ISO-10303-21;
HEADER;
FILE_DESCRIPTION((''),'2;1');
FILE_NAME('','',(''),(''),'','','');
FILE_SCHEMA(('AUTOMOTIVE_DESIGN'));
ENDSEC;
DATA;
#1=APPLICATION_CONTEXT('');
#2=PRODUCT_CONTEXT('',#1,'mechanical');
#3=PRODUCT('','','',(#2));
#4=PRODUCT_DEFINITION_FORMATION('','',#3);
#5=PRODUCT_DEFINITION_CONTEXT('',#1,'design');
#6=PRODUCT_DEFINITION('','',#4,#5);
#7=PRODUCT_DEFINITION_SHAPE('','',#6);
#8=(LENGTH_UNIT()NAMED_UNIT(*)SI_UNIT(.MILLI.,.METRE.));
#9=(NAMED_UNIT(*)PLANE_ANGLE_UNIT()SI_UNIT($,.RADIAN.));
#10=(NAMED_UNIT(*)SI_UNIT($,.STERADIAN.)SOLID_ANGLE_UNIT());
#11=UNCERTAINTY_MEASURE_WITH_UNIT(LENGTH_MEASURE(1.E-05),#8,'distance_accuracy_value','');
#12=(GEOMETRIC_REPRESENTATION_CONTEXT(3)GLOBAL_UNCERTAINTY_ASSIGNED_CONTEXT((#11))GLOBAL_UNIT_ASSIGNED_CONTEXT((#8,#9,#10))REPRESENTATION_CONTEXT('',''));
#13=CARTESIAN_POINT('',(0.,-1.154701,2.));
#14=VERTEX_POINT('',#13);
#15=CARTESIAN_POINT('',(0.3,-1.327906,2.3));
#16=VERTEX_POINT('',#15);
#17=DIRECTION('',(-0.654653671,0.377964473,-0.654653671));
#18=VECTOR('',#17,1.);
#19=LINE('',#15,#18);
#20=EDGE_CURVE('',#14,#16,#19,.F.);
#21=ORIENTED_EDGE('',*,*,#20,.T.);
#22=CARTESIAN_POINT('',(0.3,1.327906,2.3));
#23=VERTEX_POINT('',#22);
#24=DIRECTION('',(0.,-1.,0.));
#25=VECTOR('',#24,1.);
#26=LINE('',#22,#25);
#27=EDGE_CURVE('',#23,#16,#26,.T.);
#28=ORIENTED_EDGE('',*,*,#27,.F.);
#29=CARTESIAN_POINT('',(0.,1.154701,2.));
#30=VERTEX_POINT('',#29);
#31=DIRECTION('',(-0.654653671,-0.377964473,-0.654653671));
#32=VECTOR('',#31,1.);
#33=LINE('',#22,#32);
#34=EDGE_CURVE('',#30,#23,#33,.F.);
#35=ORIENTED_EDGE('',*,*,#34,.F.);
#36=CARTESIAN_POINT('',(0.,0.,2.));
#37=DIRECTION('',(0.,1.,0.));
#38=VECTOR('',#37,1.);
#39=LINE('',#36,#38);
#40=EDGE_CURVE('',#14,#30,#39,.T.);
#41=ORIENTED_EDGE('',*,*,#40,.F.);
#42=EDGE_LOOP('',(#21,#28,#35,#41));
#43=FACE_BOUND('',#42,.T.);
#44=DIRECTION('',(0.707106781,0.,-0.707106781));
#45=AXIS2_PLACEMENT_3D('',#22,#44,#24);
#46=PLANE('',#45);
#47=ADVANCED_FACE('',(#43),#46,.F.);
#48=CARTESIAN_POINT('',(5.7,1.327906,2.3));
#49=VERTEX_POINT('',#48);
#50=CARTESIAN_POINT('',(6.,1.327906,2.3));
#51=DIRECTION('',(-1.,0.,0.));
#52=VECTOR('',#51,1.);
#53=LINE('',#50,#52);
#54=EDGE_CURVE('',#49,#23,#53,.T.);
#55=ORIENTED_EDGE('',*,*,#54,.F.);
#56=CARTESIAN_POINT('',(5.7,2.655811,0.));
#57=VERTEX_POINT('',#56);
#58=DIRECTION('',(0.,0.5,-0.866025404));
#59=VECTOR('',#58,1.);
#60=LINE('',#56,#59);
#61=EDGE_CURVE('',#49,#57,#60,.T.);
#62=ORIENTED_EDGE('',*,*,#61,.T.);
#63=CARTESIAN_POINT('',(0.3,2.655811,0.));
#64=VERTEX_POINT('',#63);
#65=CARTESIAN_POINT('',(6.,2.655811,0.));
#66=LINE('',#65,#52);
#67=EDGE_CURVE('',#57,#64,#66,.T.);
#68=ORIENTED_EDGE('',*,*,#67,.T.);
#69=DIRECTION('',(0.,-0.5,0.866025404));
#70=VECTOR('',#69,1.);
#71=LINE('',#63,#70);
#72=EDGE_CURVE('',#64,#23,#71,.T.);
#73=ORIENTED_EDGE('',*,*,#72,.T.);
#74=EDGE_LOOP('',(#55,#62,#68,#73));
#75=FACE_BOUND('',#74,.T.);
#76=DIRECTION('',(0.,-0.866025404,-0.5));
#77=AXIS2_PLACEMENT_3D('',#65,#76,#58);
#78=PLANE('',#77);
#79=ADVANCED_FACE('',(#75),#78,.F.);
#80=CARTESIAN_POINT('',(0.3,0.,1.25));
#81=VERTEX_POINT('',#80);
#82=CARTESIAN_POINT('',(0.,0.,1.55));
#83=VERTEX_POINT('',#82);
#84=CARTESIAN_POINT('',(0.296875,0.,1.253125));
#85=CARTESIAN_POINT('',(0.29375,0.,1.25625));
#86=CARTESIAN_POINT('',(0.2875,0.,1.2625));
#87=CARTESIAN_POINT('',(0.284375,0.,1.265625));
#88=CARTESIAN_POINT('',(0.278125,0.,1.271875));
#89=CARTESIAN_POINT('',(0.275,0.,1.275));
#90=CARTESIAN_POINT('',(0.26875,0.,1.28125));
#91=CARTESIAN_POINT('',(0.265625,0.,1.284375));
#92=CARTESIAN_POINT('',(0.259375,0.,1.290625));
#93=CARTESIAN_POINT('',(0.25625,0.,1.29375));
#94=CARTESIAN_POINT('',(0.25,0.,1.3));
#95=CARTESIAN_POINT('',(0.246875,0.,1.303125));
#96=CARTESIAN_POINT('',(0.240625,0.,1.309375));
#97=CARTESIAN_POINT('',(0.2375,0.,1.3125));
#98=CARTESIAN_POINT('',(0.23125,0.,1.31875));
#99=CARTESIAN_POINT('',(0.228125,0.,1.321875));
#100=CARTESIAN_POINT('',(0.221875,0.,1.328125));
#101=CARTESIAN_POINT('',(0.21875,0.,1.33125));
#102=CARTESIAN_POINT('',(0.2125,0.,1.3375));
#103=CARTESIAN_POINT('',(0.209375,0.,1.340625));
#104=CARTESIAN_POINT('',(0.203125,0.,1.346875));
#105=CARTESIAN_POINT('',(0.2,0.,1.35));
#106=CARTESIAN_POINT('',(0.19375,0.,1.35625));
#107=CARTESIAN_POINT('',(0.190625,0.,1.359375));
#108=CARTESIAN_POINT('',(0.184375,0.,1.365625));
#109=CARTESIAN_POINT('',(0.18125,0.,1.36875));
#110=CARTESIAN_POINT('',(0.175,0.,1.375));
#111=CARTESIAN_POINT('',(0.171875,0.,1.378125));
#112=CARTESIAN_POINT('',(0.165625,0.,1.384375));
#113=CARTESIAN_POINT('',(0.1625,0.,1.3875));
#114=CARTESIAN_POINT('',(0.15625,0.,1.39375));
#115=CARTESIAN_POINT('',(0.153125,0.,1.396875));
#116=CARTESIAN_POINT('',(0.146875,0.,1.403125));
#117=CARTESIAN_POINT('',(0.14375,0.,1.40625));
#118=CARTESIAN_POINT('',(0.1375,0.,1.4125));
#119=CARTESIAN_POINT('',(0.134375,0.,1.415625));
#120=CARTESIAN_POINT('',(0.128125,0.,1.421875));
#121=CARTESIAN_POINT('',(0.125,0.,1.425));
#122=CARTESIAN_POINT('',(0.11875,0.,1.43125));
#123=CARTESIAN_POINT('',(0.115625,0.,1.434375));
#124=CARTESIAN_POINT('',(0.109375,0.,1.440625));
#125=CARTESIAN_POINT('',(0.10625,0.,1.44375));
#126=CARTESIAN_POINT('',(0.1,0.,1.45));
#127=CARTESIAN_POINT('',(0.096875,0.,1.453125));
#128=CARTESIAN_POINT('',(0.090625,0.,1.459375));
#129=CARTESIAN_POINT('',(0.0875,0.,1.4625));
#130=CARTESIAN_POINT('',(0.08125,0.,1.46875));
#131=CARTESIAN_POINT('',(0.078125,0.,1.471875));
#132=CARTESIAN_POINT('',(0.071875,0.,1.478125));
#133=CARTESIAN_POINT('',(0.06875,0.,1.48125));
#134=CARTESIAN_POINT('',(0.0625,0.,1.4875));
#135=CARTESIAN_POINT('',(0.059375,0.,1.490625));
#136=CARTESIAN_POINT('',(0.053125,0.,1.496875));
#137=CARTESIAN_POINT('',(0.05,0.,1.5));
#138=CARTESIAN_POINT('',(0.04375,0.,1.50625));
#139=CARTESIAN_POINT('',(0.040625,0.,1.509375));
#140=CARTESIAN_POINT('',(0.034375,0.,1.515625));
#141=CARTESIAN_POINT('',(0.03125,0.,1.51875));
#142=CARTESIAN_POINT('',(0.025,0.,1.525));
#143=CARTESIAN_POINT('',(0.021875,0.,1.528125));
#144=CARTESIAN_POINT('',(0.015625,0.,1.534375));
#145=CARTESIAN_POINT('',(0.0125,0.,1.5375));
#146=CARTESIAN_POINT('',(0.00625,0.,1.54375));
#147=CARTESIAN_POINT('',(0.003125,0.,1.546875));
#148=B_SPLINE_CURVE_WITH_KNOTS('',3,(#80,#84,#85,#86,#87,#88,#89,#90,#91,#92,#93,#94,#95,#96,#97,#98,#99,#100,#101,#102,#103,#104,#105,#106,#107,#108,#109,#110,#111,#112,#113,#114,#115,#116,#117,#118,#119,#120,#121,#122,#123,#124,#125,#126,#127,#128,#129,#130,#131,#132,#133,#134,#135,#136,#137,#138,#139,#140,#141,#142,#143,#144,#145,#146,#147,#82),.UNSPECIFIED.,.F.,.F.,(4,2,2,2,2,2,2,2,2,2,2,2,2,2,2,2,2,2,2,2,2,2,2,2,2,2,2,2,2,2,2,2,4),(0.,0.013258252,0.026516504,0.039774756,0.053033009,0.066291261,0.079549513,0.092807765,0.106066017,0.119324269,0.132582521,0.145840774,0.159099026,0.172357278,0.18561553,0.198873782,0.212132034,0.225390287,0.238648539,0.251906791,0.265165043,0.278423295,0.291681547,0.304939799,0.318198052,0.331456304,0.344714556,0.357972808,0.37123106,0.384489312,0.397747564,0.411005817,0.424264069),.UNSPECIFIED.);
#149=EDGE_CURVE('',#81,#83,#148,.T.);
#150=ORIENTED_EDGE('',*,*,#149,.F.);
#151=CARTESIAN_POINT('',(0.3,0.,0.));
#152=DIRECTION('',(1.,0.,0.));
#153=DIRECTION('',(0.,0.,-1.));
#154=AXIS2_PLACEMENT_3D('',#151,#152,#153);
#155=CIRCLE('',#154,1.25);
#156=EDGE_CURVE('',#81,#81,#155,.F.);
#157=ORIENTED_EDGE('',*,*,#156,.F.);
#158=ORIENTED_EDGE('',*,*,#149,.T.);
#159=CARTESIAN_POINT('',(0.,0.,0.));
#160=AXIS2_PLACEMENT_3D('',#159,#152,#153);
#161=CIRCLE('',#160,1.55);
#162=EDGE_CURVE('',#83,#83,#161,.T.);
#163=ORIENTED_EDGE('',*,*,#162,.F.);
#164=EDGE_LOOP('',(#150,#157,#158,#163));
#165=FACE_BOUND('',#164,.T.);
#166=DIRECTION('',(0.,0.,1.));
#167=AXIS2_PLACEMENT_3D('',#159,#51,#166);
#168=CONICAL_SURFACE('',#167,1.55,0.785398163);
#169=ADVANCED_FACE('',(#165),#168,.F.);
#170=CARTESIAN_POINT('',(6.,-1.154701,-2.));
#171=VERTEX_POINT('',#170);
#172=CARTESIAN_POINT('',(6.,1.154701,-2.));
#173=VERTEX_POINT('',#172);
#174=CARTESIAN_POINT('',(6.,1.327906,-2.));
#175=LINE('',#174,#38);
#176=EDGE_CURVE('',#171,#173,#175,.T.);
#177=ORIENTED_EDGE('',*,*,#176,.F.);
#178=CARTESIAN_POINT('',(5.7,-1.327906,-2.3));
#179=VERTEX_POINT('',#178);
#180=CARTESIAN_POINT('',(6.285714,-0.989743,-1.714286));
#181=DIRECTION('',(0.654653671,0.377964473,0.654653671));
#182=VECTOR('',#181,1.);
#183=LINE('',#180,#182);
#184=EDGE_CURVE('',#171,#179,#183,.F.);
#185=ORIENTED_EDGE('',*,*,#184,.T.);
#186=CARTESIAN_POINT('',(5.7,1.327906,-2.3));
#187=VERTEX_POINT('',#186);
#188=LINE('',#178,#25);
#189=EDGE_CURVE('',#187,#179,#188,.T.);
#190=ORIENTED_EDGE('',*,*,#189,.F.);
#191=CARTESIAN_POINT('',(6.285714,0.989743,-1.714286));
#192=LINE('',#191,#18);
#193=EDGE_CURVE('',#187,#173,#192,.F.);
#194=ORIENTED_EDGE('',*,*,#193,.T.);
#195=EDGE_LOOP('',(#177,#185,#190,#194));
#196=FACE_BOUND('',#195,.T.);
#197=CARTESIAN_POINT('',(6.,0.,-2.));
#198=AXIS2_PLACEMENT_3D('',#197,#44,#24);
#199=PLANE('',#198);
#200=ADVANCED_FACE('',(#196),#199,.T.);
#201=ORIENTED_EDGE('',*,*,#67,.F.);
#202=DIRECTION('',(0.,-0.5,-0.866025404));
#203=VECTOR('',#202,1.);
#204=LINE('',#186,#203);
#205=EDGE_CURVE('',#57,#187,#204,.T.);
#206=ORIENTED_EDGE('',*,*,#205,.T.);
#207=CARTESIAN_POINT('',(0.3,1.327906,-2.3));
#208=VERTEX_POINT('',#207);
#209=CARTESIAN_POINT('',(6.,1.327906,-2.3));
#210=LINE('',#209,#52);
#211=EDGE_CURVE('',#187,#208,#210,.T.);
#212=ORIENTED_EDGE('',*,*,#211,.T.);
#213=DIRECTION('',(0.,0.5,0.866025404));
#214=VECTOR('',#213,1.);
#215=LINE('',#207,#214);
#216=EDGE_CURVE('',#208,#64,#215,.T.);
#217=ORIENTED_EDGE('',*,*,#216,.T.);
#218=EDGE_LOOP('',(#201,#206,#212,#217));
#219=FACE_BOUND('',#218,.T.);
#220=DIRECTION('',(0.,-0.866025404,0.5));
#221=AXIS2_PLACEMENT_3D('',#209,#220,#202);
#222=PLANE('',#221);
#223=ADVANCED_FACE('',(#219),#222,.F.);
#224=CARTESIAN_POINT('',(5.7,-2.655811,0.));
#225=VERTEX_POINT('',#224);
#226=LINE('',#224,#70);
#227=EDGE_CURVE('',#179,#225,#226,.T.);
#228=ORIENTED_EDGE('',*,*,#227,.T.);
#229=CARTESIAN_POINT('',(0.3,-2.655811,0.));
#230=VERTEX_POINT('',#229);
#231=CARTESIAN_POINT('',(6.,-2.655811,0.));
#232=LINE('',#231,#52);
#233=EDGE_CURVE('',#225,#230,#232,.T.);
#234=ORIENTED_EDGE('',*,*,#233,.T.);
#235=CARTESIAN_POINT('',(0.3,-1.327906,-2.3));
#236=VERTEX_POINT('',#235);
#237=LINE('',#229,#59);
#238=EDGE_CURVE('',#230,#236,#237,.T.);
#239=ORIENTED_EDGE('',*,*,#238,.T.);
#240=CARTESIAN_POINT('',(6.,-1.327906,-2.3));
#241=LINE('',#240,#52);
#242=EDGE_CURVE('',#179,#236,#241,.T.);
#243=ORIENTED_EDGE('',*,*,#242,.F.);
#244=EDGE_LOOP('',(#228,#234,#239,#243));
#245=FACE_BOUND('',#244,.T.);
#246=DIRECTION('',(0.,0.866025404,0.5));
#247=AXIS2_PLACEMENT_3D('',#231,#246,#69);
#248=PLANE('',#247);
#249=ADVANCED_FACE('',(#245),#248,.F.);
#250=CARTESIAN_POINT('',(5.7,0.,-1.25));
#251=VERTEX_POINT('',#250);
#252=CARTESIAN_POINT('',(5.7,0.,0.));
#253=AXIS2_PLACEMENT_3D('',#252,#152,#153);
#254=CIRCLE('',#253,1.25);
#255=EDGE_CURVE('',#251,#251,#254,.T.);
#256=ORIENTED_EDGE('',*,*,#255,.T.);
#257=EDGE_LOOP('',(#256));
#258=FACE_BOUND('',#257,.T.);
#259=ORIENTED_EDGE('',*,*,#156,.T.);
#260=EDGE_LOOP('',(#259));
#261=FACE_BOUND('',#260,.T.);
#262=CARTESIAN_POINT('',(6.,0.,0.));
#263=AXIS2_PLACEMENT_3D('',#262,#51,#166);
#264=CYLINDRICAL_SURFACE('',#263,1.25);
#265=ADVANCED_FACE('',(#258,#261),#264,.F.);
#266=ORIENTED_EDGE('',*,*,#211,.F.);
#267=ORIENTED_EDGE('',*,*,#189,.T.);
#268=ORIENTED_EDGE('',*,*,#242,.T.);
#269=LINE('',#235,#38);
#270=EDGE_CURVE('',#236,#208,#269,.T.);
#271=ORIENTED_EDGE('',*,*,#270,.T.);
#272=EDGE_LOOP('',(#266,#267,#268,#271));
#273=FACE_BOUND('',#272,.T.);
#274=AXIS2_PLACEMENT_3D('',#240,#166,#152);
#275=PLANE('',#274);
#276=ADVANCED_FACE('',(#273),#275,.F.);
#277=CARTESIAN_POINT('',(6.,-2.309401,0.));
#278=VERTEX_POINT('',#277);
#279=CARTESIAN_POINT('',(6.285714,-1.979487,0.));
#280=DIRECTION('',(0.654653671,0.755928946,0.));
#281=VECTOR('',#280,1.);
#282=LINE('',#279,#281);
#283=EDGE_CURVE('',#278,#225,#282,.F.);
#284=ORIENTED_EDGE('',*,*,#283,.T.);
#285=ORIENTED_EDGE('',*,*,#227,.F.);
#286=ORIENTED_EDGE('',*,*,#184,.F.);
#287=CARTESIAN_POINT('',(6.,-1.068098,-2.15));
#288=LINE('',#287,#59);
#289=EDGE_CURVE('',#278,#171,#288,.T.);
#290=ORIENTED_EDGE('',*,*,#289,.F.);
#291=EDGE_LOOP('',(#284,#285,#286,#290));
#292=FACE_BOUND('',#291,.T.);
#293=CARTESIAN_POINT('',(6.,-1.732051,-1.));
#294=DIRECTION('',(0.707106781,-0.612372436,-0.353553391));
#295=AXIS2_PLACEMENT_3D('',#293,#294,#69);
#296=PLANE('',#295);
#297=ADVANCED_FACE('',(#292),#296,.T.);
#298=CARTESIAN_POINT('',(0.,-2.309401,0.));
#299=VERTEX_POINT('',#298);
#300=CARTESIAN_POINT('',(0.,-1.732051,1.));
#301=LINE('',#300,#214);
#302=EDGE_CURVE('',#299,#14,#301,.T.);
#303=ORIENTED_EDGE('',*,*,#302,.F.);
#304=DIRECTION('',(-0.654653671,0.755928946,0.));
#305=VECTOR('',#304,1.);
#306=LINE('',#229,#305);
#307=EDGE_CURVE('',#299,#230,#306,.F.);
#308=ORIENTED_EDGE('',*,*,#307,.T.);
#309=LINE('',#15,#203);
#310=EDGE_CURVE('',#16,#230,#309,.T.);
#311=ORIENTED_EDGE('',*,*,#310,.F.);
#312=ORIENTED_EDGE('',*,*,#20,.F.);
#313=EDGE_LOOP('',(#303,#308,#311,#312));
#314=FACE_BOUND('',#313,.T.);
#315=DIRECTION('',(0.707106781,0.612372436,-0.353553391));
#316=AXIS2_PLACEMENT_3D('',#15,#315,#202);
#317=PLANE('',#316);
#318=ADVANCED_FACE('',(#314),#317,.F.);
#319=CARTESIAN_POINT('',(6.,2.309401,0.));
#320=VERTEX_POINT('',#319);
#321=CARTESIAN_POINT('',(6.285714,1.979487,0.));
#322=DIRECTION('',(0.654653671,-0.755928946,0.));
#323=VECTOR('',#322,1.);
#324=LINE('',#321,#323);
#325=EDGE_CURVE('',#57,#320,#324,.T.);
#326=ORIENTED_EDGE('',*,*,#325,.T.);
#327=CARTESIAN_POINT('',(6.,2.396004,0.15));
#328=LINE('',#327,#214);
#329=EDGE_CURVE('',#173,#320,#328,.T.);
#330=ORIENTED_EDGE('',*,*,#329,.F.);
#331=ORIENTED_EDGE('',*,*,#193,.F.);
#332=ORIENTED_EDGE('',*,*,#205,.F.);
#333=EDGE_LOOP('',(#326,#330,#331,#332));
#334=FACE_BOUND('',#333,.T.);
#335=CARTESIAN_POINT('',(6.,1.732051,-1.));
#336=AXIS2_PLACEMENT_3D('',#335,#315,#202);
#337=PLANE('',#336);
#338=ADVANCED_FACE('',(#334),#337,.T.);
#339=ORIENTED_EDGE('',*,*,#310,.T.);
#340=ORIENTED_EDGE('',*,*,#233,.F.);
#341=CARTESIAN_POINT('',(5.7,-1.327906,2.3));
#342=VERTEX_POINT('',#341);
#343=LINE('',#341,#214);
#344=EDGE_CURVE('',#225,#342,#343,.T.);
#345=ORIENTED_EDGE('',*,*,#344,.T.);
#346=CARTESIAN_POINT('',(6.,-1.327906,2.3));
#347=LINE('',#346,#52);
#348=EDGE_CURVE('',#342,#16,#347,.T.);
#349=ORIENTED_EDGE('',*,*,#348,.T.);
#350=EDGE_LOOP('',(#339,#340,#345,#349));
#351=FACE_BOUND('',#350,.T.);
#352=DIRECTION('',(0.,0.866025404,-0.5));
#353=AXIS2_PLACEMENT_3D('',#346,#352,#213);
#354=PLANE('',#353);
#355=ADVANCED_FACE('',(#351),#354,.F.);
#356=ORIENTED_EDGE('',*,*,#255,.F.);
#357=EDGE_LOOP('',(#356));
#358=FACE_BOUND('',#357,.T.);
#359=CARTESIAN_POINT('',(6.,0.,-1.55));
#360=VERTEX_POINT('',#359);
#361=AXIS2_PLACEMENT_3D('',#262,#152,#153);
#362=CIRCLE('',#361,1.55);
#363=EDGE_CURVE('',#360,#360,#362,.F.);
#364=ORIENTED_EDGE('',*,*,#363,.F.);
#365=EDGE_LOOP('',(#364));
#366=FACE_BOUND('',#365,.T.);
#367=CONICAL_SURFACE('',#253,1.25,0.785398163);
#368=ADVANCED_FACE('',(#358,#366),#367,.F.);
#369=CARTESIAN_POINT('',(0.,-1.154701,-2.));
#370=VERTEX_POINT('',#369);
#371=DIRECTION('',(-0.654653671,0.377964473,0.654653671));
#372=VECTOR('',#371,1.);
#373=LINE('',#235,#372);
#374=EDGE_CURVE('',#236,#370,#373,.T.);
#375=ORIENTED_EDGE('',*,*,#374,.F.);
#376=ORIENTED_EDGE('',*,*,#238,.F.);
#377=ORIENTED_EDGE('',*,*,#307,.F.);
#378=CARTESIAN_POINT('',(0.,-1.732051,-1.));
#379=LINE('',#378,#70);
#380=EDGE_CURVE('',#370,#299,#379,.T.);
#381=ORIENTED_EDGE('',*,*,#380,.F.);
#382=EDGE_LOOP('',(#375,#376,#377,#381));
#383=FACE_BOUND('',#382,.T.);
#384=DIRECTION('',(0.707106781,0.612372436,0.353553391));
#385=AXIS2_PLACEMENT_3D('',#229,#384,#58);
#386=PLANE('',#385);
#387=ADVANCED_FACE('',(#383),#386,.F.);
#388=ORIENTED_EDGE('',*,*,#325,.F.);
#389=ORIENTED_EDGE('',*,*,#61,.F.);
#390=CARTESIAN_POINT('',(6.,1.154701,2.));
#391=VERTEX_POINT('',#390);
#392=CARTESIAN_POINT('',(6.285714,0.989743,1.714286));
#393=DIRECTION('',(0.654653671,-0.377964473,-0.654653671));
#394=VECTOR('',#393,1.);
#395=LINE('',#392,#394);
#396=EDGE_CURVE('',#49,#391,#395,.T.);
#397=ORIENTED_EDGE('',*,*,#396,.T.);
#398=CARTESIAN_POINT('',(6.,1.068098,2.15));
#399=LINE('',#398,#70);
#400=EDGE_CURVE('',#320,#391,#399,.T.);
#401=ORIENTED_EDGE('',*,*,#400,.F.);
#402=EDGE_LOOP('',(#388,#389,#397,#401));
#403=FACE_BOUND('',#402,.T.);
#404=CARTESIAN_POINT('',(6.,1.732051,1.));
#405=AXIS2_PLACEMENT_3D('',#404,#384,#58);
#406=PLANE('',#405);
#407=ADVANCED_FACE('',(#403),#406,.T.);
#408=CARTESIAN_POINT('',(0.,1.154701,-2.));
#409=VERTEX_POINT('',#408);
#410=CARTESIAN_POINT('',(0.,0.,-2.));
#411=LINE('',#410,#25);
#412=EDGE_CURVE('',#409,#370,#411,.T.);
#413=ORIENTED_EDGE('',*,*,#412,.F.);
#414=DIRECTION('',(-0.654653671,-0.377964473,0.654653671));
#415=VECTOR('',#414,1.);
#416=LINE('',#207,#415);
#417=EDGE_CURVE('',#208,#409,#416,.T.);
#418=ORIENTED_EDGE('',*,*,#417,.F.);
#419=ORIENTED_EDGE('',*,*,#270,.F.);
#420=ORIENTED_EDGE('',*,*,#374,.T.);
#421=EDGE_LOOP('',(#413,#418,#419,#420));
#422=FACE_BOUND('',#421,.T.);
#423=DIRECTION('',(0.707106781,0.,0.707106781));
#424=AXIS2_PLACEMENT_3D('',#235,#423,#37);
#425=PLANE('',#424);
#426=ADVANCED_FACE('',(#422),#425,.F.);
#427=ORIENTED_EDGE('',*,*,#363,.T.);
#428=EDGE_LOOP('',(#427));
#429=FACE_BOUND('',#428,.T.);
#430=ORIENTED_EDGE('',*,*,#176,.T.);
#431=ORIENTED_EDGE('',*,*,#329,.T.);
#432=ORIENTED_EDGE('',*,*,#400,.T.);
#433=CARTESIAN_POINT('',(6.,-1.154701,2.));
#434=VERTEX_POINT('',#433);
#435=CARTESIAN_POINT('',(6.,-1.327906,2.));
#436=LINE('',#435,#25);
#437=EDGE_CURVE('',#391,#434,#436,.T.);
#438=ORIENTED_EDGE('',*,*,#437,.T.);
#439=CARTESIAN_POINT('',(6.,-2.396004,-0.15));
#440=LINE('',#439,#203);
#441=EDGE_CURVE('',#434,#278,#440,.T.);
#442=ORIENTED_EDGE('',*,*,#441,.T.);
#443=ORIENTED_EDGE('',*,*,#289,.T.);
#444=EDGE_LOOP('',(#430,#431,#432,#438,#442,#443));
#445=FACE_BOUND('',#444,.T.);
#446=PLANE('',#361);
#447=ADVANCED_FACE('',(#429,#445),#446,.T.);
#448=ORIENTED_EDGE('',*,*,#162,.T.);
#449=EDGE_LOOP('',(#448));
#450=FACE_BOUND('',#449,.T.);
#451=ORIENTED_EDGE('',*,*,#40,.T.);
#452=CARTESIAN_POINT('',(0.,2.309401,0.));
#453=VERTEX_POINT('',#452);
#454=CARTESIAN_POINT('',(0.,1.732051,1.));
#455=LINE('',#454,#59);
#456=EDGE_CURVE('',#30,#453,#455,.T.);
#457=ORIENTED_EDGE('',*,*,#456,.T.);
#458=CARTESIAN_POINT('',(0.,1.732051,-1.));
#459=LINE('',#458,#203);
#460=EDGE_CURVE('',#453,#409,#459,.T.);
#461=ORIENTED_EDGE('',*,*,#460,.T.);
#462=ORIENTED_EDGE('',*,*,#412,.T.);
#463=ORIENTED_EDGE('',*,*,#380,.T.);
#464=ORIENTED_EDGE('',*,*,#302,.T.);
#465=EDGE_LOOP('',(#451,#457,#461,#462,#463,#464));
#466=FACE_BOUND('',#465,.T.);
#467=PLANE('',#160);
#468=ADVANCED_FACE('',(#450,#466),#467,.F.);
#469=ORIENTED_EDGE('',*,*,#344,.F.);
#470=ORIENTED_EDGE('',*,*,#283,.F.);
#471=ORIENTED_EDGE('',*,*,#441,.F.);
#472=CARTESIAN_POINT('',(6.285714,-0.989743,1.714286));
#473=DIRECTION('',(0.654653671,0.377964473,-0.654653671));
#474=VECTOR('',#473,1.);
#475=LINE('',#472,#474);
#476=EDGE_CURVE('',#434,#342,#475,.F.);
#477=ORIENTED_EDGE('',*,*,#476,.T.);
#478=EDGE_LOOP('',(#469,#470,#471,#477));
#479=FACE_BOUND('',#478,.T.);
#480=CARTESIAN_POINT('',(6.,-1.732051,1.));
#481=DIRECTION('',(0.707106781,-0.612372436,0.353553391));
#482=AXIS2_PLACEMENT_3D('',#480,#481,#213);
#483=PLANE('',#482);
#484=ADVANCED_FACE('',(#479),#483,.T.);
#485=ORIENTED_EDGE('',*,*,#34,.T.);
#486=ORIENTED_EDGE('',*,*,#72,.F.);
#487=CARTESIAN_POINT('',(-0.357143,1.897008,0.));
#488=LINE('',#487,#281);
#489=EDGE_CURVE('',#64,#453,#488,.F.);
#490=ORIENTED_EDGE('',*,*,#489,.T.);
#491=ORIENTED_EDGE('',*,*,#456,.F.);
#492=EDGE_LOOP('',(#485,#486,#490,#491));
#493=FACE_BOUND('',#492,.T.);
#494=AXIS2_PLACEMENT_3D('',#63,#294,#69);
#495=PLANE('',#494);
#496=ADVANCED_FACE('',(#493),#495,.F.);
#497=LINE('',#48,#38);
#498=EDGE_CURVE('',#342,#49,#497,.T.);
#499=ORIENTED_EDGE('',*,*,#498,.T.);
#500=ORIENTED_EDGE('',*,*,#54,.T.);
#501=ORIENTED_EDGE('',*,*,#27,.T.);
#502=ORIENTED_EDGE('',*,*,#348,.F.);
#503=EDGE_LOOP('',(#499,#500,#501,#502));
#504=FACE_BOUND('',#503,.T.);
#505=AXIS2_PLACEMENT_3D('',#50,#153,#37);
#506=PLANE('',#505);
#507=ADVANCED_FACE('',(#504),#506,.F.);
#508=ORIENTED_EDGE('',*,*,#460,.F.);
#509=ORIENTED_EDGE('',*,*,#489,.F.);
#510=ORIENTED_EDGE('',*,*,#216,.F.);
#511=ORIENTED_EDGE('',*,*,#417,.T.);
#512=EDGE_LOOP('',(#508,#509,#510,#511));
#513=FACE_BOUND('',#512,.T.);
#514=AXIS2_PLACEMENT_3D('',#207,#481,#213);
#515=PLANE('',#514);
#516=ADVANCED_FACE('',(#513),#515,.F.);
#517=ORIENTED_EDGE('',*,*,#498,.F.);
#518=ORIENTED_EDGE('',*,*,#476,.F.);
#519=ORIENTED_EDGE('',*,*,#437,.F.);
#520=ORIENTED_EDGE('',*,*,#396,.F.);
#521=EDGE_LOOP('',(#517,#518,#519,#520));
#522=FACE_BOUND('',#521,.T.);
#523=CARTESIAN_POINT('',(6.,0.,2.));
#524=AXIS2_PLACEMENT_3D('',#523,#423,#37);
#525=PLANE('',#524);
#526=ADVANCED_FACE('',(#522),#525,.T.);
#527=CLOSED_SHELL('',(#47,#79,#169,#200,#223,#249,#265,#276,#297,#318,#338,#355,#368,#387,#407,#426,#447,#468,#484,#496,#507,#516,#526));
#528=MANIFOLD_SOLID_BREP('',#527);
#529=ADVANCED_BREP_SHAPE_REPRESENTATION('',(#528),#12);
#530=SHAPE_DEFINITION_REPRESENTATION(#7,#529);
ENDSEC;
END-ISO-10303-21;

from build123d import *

# Parameters (mm, degrees)
SKETCH_1_R      = 1.25
EXTRUDE_1_DEPTH = 6
CHAMFER_1_SIZE  = 0.3


with BuildPart() as part:
    # 草图1 → 凸台-拉伸1 (new body)
    with BuildSketch(Plane.YZ):
        Polygon((2.655811238, 0), (1.327905619, 2.3), (-1.327905619, 2.3), (-2.655811238, 0), (-1.327905619, -2.3), (1.327905619, -2.3), align=None)
        with Locations(Location((0, 0, 0), (0, 0, 270))):
            Circle(SKETCH_1_R, mode=Mode.SUBTRACT)
    extrude(amount=EXTRUDE_1_DEPTH)

    # 倒角1
    chamfer_1_edges = [part.edges().sort_by_distance(p)[0] for p in [
        (6, 0, 2.3),
        (6, -1.991858429, 1.15),
        (0, 0, 1.25),
        (6, 0, 1.25),
        (6, -1.991858429, -1.15),
        (6, 0, -2.3),
        (6, 1.991858429, -1.15),
        (0, 0, -2.3),
        (0, -1.991858429, -1.15),
        (0, -1.991858429, 1.15),
        (0, 0, 2.3),
        (0, 1.991858429, 1.15),
        (0, 1.991858429, -1.15),
        (6, 1.991858429, 1.15),
    ]]
    chamfer(chamfer_1_edges, length=CHAMFER_1_SIZE)


solid = part.part
